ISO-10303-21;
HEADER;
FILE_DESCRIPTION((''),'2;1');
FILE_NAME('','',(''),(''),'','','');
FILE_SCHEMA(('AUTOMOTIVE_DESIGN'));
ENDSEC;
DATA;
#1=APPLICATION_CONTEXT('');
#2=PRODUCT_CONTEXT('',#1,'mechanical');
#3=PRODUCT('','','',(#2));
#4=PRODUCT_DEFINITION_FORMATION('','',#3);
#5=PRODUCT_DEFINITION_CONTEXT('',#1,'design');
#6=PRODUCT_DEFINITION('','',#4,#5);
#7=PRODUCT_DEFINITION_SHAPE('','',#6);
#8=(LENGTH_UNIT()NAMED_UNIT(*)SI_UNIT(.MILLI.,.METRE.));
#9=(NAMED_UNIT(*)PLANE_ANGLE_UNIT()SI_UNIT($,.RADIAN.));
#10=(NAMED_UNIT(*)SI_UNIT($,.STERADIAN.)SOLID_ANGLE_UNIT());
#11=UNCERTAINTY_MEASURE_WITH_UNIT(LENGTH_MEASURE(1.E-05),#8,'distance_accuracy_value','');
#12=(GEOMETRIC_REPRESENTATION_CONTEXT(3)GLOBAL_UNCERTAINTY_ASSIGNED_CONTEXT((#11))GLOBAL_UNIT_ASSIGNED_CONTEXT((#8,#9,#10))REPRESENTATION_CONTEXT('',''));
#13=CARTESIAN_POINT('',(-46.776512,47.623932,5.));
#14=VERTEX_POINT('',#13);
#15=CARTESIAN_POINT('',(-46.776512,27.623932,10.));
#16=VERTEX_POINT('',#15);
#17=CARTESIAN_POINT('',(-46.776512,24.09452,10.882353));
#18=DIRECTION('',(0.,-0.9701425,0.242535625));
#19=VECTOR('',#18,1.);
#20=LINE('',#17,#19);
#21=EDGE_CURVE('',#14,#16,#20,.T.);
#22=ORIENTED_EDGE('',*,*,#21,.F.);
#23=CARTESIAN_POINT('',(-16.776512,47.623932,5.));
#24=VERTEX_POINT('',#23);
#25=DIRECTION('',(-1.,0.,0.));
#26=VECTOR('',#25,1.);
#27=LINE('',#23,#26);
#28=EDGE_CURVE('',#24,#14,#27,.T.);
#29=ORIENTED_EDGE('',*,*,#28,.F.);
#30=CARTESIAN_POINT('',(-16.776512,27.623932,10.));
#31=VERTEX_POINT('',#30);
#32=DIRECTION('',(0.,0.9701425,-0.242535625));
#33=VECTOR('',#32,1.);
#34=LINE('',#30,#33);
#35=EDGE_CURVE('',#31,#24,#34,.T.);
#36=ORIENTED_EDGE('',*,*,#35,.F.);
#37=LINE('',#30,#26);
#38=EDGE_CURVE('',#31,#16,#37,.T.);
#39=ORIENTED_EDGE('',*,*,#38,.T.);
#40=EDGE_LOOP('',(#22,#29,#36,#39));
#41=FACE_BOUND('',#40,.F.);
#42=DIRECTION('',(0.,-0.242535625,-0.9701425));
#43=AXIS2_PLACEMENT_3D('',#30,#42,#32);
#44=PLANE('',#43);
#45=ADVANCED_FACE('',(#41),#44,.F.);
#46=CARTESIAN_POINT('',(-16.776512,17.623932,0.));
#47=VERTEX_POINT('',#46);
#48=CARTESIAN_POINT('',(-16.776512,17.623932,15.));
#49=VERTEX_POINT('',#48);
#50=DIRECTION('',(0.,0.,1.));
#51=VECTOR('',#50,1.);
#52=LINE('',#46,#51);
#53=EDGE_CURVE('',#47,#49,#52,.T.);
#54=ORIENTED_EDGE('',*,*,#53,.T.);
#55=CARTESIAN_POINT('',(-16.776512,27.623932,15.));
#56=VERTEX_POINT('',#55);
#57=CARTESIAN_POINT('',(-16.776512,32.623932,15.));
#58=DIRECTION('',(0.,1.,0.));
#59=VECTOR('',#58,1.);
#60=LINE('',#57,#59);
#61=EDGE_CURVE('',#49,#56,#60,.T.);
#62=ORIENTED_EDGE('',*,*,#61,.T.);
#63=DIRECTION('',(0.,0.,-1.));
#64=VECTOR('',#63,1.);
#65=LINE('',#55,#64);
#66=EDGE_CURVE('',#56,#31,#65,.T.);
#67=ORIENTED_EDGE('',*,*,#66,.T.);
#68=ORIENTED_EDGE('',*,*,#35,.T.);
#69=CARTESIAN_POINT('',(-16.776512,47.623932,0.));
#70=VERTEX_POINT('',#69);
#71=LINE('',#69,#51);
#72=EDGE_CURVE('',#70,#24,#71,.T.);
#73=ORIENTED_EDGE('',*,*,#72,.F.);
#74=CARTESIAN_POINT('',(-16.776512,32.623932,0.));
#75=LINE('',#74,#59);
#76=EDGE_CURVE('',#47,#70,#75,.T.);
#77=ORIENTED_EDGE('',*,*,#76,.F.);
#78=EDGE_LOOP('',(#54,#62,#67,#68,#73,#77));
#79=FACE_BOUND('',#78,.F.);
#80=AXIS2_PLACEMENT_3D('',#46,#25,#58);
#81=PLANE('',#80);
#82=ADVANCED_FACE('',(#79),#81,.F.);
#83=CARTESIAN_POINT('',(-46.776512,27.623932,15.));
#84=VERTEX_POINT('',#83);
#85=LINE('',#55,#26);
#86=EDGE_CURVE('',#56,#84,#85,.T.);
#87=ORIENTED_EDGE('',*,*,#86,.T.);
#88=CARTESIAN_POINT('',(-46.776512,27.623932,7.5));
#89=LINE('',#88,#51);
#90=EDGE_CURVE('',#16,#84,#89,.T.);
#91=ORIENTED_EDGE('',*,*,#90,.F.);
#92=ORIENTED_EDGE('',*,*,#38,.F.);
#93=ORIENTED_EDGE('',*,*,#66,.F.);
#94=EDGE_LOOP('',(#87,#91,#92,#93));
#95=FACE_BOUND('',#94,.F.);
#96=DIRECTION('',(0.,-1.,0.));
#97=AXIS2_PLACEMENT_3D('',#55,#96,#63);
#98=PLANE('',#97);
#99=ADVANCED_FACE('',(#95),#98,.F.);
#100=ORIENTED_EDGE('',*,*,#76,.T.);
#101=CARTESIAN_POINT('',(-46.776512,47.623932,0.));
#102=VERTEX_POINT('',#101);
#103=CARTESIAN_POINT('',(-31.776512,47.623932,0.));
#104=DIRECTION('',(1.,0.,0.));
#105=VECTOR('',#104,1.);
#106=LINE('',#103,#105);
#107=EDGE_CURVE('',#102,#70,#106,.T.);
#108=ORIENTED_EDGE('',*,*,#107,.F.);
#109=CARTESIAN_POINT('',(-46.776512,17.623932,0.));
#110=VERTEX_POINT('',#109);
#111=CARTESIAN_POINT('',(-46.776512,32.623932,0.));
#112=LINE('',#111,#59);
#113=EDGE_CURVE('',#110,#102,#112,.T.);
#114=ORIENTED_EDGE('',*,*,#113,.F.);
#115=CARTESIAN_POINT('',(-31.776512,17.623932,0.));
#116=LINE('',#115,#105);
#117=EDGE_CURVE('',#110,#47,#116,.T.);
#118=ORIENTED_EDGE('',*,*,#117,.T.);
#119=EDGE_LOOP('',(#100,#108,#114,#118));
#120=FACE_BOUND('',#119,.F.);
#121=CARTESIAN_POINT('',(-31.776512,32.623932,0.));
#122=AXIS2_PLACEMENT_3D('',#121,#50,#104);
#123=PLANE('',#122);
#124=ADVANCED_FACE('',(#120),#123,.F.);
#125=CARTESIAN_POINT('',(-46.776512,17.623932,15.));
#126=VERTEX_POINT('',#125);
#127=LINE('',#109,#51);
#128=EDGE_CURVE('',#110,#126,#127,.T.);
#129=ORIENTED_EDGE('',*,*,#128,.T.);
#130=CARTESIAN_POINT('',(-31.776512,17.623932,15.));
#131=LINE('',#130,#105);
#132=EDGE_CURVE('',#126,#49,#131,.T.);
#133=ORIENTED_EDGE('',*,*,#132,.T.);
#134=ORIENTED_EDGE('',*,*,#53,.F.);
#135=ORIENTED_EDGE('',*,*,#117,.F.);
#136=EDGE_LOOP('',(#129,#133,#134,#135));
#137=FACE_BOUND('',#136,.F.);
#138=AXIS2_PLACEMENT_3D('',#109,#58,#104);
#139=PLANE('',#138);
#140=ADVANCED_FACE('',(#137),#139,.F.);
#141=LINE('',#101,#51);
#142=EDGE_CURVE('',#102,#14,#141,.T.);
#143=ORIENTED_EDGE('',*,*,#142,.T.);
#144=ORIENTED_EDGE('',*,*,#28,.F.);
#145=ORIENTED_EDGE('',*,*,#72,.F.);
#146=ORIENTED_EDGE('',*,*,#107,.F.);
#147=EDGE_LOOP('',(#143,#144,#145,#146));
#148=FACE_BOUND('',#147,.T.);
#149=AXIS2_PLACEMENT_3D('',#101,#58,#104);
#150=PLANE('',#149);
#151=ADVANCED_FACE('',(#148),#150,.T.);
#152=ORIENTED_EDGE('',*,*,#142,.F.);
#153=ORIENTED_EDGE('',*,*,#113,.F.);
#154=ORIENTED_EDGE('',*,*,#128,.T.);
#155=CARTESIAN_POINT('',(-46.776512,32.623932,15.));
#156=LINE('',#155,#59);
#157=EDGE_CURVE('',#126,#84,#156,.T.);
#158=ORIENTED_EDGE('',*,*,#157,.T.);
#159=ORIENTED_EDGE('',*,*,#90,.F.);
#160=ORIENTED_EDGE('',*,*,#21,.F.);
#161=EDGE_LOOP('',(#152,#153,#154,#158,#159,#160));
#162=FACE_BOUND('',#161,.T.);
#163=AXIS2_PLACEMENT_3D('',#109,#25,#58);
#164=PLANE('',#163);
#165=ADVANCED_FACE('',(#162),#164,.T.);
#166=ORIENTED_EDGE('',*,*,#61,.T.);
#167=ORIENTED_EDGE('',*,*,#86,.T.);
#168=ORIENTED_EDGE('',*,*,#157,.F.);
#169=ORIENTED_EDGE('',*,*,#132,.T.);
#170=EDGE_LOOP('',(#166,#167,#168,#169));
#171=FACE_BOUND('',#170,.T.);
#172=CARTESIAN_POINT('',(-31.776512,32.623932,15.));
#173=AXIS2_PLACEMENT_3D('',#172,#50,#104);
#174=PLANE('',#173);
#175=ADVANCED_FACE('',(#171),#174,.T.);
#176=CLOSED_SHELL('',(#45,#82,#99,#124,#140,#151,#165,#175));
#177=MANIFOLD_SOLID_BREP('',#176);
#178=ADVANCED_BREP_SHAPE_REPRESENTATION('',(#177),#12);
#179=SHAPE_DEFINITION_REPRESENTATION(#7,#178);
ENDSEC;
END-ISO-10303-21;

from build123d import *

# Parameters (mm, degrees)
F0_W     = 30
F0_H     = 30
F1_DEPTH = 15
F3_DEPTH = 30.001


with BuildPart() as f1:
    # F0 (on Top) → F1 (new body)
    with BuildSketch(Plane.XY):
        with Locations((-31.776512, 32.623932)):
            Rectangle(F0_W, F0_H)
    extrude(amount=F1_DEPTH)

    # F2 (on face) → F3 (cut, through all)
    with BuildSketch(Plane.YZ.offset(-16.776512)):
        Polygon((27.623932, 10), (47.623932, 5), (47.623932, 15), (27.623932, 15), align=None)
    extrude(amount=-F3_DEPTH, mode=Mode.SUBTRACT)


solid = f1.part
